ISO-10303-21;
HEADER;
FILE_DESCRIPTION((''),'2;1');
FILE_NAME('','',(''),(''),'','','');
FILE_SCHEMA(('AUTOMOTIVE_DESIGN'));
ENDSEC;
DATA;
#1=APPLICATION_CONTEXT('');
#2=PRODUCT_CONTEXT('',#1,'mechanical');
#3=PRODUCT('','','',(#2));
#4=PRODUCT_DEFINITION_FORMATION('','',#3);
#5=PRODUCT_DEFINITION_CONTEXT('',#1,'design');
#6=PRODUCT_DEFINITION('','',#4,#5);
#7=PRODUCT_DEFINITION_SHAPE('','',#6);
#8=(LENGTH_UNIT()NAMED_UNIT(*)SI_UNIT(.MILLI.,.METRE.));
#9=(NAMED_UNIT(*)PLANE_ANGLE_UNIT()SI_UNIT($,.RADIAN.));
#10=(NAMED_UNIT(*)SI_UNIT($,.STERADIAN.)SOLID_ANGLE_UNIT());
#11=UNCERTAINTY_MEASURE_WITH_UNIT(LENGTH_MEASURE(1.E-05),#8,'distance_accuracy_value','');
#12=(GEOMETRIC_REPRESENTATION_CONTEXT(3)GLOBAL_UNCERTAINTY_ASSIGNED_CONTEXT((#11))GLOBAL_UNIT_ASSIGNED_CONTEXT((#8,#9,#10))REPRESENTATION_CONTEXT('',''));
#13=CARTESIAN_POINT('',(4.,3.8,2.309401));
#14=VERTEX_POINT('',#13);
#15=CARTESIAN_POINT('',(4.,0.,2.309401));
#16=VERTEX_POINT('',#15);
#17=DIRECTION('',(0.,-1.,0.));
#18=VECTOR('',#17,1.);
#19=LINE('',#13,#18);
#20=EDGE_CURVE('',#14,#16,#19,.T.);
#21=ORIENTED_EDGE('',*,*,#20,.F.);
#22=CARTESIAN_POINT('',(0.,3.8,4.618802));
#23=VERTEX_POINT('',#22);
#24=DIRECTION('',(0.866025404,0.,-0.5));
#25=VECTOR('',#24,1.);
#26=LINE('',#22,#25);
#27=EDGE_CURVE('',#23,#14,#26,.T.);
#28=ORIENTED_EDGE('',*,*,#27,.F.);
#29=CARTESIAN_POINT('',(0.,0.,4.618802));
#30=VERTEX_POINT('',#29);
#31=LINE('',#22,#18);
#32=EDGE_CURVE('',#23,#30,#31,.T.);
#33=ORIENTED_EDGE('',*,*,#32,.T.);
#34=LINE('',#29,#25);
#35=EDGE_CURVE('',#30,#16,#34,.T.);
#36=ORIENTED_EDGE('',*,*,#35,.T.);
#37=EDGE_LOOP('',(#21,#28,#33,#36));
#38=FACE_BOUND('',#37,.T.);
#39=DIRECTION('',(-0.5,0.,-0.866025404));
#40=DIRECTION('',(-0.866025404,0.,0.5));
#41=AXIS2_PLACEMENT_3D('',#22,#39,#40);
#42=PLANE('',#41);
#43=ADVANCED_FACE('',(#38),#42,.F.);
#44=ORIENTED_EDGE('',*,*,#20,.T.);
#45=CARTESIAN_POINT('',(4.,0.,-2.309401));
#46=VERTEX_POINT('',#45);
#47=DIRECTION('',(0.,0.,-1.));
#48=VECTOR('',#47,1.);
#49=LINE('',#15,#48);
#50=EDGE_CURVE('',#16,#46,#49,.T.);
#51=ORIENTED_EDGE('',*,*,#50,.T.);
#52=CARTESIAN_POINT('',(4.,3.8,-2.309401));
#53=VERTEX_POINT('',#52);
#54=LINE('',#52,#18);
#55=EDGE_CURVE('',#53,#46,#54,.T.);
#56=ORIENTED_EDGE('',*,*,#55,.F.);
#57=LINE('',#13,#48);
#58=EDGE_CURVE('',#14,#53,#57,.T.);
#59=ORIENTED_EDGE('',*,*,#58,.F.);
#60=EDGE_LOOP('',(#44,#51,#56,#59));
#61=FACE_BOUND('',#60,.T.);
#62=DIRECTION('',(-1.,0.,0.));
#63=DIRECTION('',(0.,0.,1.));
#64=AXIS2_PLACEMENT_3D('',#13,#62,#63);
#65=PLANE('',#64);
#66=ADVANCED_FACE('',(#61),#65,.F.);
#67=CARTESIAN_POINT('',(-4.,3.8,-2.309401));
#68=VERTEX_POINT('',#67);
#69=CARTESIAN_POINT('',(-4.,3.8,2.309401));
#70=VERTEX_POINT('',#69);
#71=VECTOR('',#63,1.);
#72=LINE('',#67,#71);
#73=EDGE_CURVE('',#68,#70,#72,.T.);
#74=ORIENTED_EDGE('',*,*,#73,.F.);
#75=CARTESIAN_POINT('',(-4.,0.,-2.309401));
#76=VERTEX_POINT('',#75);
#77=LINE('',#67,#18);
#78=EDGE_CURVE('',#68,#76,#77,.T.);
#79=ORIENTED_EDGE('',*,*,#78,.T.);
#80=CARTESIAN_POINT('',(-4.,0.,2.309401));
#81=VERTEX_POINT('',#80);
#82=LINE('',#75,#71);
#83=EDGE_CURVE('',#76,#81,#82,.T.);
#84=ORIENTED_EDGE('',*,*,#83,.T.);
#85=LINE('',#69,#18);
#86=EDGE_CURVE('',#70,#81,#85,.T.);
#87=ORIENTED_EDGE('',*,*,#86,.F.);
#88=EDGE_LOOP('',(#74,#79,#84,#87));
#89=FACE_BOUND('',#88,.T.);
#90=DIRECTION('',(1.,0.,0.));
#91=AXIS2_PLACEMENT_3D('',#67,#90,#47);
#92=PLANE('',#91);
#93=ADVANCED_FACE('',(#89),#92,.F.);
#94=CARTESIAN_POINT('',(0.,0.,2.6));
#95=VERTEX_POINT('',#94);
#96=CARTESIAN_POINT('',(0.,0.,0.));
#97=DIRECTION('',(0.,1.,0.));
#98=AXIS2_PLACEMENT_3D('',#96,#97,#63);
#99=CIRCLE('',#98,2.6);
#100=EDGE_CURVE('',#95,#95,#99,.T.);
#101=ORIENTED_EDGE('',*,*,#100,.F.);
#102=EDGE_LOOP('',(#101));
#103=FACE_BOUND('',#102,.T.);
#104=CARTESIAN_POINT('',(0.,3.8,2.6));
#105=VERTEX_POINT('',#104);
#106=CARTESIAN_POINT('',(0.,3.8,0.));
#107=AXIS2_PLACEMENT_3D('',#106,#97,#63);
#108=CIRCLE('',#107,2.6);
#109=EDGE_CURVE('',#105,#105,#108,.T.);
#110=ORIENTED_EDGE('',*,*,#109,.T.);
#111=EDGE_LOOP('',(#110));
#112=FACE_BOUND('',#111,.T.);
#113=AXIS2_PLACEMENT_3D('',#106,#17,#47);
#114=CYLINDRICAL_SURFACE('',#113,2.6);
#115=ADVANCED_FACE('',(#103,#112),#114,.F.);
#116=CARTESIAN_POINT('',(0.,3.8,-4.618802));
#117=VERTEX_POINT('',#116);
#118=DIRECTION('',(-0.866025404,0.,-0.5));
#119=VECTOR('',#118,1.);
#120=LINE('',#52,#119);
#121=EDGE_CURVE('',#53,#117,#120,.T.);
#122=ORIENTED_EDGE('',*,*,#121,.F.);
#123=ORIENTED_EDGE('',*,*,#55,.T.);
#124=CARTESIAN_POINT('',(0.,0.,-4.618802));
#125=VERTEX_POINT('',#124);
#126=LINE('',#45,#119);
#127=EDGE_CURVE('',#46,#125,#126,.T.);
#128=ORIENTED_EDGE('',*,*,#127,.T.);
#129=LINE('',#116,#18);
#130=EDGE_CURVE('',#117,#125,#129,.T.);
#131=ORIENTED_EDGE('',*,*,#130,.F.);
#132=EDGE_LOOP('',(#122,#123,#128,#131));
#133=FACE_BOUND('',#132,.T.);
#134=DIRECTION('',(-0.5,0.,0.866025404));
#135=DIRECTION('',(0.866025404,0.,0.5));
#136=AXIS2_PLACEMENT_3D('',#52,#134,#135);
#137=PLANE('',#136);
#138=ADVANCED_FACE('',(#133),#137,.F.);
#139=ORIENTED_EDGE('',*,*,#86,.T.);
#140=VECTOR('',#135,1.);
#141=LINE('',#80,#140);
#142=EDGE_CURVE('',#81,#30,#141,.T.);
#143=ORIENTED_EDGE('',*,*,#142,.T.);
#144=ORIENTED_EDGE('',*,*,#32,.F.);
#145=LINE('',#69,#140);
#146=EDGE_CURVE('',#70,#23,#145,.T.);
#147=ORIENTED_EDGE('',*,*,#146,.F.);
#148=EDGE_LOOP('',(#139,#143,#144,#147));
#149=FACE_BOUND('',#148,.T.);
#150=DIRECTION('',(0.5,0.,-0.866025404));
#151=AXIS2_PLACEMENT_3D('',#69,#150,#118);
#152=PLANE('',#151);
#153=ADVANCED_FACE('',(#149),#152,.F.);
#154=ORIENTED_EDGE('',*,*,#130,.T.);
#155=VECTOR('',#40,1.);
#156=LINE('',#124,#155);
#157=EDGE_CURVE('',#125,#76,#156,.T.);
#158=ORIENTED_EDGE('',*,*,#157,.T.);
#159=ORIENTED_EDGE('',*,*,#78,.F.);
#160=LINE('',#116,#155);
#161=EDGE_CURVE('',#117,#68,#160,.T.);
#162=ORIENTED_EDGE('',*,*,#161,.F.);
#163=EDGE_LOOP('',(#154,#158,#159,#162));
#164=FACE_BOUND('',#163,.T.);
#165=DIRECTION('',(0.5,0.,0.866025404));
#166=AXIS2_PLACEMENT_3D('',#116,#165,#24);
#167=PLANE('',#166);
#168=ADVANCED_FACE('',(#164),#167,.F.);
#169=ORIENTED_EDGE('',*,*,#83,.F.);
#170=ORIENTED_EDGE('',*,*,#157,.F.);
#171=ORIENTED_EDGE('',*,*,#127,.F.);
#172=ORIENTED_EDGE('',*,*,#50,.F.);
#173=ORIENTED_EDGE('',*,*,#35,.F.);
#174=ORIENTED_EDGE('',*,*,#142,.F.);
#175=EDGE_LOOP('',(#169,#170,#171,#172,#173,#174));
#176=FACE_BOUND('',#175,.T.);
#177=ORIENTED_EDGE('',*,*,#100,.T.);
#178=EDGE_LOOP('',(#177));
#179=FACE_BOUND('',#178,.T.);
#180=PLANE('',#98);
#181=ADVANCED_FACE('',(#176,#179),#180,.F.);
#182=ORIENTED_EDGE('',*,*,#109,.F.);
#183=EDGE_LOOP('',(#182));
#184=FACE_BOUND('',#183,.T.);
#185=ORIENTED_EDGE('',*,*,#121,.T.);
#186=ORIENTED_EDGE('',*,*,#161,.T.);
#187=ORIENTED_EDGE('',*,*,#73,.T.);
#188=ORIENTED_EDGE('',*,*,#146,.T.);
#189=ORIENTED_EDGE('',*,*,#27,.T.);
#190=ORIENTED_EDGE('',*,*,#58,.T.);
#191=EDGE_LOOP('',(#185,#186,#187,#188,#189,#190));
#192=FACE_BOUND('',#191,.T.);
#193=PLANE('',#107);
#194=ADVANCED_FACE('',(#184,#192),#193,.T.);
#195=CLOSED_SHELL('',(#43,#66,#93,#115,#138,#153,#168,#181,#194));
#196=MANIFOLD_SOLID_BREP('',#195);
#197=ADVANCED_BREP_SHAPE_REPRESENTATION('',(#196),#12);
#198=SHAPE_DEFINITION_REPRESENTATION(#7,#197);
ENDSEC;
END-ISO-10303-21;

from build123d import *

# Parameters (mm, degrees)
SKETCH_1_R      = 2.6
EXTRUDE_1_DEPTH = 3.8


with BuildPart() as part:
    # Эскиз1 → Бобышка-Вытянуть1 (new body)
    with BuildSketch(Plane(origin=(0, 0, 0), x_dir=(1, 0, 0), z_dir=(0, 1, 0))):
        Polygon((4, -2.309401077), (4, 2.309401077), (0, 4.618802154), (-4, 2.309401077), (-4, -2.309401077), (0, -4.618802154), align=None)
        Circle(SKETCH_1_R, mode=Mode.SUBTRACT)
    extrude(amount=EXTRUDE_1_DEPTH)


solid = part.part
